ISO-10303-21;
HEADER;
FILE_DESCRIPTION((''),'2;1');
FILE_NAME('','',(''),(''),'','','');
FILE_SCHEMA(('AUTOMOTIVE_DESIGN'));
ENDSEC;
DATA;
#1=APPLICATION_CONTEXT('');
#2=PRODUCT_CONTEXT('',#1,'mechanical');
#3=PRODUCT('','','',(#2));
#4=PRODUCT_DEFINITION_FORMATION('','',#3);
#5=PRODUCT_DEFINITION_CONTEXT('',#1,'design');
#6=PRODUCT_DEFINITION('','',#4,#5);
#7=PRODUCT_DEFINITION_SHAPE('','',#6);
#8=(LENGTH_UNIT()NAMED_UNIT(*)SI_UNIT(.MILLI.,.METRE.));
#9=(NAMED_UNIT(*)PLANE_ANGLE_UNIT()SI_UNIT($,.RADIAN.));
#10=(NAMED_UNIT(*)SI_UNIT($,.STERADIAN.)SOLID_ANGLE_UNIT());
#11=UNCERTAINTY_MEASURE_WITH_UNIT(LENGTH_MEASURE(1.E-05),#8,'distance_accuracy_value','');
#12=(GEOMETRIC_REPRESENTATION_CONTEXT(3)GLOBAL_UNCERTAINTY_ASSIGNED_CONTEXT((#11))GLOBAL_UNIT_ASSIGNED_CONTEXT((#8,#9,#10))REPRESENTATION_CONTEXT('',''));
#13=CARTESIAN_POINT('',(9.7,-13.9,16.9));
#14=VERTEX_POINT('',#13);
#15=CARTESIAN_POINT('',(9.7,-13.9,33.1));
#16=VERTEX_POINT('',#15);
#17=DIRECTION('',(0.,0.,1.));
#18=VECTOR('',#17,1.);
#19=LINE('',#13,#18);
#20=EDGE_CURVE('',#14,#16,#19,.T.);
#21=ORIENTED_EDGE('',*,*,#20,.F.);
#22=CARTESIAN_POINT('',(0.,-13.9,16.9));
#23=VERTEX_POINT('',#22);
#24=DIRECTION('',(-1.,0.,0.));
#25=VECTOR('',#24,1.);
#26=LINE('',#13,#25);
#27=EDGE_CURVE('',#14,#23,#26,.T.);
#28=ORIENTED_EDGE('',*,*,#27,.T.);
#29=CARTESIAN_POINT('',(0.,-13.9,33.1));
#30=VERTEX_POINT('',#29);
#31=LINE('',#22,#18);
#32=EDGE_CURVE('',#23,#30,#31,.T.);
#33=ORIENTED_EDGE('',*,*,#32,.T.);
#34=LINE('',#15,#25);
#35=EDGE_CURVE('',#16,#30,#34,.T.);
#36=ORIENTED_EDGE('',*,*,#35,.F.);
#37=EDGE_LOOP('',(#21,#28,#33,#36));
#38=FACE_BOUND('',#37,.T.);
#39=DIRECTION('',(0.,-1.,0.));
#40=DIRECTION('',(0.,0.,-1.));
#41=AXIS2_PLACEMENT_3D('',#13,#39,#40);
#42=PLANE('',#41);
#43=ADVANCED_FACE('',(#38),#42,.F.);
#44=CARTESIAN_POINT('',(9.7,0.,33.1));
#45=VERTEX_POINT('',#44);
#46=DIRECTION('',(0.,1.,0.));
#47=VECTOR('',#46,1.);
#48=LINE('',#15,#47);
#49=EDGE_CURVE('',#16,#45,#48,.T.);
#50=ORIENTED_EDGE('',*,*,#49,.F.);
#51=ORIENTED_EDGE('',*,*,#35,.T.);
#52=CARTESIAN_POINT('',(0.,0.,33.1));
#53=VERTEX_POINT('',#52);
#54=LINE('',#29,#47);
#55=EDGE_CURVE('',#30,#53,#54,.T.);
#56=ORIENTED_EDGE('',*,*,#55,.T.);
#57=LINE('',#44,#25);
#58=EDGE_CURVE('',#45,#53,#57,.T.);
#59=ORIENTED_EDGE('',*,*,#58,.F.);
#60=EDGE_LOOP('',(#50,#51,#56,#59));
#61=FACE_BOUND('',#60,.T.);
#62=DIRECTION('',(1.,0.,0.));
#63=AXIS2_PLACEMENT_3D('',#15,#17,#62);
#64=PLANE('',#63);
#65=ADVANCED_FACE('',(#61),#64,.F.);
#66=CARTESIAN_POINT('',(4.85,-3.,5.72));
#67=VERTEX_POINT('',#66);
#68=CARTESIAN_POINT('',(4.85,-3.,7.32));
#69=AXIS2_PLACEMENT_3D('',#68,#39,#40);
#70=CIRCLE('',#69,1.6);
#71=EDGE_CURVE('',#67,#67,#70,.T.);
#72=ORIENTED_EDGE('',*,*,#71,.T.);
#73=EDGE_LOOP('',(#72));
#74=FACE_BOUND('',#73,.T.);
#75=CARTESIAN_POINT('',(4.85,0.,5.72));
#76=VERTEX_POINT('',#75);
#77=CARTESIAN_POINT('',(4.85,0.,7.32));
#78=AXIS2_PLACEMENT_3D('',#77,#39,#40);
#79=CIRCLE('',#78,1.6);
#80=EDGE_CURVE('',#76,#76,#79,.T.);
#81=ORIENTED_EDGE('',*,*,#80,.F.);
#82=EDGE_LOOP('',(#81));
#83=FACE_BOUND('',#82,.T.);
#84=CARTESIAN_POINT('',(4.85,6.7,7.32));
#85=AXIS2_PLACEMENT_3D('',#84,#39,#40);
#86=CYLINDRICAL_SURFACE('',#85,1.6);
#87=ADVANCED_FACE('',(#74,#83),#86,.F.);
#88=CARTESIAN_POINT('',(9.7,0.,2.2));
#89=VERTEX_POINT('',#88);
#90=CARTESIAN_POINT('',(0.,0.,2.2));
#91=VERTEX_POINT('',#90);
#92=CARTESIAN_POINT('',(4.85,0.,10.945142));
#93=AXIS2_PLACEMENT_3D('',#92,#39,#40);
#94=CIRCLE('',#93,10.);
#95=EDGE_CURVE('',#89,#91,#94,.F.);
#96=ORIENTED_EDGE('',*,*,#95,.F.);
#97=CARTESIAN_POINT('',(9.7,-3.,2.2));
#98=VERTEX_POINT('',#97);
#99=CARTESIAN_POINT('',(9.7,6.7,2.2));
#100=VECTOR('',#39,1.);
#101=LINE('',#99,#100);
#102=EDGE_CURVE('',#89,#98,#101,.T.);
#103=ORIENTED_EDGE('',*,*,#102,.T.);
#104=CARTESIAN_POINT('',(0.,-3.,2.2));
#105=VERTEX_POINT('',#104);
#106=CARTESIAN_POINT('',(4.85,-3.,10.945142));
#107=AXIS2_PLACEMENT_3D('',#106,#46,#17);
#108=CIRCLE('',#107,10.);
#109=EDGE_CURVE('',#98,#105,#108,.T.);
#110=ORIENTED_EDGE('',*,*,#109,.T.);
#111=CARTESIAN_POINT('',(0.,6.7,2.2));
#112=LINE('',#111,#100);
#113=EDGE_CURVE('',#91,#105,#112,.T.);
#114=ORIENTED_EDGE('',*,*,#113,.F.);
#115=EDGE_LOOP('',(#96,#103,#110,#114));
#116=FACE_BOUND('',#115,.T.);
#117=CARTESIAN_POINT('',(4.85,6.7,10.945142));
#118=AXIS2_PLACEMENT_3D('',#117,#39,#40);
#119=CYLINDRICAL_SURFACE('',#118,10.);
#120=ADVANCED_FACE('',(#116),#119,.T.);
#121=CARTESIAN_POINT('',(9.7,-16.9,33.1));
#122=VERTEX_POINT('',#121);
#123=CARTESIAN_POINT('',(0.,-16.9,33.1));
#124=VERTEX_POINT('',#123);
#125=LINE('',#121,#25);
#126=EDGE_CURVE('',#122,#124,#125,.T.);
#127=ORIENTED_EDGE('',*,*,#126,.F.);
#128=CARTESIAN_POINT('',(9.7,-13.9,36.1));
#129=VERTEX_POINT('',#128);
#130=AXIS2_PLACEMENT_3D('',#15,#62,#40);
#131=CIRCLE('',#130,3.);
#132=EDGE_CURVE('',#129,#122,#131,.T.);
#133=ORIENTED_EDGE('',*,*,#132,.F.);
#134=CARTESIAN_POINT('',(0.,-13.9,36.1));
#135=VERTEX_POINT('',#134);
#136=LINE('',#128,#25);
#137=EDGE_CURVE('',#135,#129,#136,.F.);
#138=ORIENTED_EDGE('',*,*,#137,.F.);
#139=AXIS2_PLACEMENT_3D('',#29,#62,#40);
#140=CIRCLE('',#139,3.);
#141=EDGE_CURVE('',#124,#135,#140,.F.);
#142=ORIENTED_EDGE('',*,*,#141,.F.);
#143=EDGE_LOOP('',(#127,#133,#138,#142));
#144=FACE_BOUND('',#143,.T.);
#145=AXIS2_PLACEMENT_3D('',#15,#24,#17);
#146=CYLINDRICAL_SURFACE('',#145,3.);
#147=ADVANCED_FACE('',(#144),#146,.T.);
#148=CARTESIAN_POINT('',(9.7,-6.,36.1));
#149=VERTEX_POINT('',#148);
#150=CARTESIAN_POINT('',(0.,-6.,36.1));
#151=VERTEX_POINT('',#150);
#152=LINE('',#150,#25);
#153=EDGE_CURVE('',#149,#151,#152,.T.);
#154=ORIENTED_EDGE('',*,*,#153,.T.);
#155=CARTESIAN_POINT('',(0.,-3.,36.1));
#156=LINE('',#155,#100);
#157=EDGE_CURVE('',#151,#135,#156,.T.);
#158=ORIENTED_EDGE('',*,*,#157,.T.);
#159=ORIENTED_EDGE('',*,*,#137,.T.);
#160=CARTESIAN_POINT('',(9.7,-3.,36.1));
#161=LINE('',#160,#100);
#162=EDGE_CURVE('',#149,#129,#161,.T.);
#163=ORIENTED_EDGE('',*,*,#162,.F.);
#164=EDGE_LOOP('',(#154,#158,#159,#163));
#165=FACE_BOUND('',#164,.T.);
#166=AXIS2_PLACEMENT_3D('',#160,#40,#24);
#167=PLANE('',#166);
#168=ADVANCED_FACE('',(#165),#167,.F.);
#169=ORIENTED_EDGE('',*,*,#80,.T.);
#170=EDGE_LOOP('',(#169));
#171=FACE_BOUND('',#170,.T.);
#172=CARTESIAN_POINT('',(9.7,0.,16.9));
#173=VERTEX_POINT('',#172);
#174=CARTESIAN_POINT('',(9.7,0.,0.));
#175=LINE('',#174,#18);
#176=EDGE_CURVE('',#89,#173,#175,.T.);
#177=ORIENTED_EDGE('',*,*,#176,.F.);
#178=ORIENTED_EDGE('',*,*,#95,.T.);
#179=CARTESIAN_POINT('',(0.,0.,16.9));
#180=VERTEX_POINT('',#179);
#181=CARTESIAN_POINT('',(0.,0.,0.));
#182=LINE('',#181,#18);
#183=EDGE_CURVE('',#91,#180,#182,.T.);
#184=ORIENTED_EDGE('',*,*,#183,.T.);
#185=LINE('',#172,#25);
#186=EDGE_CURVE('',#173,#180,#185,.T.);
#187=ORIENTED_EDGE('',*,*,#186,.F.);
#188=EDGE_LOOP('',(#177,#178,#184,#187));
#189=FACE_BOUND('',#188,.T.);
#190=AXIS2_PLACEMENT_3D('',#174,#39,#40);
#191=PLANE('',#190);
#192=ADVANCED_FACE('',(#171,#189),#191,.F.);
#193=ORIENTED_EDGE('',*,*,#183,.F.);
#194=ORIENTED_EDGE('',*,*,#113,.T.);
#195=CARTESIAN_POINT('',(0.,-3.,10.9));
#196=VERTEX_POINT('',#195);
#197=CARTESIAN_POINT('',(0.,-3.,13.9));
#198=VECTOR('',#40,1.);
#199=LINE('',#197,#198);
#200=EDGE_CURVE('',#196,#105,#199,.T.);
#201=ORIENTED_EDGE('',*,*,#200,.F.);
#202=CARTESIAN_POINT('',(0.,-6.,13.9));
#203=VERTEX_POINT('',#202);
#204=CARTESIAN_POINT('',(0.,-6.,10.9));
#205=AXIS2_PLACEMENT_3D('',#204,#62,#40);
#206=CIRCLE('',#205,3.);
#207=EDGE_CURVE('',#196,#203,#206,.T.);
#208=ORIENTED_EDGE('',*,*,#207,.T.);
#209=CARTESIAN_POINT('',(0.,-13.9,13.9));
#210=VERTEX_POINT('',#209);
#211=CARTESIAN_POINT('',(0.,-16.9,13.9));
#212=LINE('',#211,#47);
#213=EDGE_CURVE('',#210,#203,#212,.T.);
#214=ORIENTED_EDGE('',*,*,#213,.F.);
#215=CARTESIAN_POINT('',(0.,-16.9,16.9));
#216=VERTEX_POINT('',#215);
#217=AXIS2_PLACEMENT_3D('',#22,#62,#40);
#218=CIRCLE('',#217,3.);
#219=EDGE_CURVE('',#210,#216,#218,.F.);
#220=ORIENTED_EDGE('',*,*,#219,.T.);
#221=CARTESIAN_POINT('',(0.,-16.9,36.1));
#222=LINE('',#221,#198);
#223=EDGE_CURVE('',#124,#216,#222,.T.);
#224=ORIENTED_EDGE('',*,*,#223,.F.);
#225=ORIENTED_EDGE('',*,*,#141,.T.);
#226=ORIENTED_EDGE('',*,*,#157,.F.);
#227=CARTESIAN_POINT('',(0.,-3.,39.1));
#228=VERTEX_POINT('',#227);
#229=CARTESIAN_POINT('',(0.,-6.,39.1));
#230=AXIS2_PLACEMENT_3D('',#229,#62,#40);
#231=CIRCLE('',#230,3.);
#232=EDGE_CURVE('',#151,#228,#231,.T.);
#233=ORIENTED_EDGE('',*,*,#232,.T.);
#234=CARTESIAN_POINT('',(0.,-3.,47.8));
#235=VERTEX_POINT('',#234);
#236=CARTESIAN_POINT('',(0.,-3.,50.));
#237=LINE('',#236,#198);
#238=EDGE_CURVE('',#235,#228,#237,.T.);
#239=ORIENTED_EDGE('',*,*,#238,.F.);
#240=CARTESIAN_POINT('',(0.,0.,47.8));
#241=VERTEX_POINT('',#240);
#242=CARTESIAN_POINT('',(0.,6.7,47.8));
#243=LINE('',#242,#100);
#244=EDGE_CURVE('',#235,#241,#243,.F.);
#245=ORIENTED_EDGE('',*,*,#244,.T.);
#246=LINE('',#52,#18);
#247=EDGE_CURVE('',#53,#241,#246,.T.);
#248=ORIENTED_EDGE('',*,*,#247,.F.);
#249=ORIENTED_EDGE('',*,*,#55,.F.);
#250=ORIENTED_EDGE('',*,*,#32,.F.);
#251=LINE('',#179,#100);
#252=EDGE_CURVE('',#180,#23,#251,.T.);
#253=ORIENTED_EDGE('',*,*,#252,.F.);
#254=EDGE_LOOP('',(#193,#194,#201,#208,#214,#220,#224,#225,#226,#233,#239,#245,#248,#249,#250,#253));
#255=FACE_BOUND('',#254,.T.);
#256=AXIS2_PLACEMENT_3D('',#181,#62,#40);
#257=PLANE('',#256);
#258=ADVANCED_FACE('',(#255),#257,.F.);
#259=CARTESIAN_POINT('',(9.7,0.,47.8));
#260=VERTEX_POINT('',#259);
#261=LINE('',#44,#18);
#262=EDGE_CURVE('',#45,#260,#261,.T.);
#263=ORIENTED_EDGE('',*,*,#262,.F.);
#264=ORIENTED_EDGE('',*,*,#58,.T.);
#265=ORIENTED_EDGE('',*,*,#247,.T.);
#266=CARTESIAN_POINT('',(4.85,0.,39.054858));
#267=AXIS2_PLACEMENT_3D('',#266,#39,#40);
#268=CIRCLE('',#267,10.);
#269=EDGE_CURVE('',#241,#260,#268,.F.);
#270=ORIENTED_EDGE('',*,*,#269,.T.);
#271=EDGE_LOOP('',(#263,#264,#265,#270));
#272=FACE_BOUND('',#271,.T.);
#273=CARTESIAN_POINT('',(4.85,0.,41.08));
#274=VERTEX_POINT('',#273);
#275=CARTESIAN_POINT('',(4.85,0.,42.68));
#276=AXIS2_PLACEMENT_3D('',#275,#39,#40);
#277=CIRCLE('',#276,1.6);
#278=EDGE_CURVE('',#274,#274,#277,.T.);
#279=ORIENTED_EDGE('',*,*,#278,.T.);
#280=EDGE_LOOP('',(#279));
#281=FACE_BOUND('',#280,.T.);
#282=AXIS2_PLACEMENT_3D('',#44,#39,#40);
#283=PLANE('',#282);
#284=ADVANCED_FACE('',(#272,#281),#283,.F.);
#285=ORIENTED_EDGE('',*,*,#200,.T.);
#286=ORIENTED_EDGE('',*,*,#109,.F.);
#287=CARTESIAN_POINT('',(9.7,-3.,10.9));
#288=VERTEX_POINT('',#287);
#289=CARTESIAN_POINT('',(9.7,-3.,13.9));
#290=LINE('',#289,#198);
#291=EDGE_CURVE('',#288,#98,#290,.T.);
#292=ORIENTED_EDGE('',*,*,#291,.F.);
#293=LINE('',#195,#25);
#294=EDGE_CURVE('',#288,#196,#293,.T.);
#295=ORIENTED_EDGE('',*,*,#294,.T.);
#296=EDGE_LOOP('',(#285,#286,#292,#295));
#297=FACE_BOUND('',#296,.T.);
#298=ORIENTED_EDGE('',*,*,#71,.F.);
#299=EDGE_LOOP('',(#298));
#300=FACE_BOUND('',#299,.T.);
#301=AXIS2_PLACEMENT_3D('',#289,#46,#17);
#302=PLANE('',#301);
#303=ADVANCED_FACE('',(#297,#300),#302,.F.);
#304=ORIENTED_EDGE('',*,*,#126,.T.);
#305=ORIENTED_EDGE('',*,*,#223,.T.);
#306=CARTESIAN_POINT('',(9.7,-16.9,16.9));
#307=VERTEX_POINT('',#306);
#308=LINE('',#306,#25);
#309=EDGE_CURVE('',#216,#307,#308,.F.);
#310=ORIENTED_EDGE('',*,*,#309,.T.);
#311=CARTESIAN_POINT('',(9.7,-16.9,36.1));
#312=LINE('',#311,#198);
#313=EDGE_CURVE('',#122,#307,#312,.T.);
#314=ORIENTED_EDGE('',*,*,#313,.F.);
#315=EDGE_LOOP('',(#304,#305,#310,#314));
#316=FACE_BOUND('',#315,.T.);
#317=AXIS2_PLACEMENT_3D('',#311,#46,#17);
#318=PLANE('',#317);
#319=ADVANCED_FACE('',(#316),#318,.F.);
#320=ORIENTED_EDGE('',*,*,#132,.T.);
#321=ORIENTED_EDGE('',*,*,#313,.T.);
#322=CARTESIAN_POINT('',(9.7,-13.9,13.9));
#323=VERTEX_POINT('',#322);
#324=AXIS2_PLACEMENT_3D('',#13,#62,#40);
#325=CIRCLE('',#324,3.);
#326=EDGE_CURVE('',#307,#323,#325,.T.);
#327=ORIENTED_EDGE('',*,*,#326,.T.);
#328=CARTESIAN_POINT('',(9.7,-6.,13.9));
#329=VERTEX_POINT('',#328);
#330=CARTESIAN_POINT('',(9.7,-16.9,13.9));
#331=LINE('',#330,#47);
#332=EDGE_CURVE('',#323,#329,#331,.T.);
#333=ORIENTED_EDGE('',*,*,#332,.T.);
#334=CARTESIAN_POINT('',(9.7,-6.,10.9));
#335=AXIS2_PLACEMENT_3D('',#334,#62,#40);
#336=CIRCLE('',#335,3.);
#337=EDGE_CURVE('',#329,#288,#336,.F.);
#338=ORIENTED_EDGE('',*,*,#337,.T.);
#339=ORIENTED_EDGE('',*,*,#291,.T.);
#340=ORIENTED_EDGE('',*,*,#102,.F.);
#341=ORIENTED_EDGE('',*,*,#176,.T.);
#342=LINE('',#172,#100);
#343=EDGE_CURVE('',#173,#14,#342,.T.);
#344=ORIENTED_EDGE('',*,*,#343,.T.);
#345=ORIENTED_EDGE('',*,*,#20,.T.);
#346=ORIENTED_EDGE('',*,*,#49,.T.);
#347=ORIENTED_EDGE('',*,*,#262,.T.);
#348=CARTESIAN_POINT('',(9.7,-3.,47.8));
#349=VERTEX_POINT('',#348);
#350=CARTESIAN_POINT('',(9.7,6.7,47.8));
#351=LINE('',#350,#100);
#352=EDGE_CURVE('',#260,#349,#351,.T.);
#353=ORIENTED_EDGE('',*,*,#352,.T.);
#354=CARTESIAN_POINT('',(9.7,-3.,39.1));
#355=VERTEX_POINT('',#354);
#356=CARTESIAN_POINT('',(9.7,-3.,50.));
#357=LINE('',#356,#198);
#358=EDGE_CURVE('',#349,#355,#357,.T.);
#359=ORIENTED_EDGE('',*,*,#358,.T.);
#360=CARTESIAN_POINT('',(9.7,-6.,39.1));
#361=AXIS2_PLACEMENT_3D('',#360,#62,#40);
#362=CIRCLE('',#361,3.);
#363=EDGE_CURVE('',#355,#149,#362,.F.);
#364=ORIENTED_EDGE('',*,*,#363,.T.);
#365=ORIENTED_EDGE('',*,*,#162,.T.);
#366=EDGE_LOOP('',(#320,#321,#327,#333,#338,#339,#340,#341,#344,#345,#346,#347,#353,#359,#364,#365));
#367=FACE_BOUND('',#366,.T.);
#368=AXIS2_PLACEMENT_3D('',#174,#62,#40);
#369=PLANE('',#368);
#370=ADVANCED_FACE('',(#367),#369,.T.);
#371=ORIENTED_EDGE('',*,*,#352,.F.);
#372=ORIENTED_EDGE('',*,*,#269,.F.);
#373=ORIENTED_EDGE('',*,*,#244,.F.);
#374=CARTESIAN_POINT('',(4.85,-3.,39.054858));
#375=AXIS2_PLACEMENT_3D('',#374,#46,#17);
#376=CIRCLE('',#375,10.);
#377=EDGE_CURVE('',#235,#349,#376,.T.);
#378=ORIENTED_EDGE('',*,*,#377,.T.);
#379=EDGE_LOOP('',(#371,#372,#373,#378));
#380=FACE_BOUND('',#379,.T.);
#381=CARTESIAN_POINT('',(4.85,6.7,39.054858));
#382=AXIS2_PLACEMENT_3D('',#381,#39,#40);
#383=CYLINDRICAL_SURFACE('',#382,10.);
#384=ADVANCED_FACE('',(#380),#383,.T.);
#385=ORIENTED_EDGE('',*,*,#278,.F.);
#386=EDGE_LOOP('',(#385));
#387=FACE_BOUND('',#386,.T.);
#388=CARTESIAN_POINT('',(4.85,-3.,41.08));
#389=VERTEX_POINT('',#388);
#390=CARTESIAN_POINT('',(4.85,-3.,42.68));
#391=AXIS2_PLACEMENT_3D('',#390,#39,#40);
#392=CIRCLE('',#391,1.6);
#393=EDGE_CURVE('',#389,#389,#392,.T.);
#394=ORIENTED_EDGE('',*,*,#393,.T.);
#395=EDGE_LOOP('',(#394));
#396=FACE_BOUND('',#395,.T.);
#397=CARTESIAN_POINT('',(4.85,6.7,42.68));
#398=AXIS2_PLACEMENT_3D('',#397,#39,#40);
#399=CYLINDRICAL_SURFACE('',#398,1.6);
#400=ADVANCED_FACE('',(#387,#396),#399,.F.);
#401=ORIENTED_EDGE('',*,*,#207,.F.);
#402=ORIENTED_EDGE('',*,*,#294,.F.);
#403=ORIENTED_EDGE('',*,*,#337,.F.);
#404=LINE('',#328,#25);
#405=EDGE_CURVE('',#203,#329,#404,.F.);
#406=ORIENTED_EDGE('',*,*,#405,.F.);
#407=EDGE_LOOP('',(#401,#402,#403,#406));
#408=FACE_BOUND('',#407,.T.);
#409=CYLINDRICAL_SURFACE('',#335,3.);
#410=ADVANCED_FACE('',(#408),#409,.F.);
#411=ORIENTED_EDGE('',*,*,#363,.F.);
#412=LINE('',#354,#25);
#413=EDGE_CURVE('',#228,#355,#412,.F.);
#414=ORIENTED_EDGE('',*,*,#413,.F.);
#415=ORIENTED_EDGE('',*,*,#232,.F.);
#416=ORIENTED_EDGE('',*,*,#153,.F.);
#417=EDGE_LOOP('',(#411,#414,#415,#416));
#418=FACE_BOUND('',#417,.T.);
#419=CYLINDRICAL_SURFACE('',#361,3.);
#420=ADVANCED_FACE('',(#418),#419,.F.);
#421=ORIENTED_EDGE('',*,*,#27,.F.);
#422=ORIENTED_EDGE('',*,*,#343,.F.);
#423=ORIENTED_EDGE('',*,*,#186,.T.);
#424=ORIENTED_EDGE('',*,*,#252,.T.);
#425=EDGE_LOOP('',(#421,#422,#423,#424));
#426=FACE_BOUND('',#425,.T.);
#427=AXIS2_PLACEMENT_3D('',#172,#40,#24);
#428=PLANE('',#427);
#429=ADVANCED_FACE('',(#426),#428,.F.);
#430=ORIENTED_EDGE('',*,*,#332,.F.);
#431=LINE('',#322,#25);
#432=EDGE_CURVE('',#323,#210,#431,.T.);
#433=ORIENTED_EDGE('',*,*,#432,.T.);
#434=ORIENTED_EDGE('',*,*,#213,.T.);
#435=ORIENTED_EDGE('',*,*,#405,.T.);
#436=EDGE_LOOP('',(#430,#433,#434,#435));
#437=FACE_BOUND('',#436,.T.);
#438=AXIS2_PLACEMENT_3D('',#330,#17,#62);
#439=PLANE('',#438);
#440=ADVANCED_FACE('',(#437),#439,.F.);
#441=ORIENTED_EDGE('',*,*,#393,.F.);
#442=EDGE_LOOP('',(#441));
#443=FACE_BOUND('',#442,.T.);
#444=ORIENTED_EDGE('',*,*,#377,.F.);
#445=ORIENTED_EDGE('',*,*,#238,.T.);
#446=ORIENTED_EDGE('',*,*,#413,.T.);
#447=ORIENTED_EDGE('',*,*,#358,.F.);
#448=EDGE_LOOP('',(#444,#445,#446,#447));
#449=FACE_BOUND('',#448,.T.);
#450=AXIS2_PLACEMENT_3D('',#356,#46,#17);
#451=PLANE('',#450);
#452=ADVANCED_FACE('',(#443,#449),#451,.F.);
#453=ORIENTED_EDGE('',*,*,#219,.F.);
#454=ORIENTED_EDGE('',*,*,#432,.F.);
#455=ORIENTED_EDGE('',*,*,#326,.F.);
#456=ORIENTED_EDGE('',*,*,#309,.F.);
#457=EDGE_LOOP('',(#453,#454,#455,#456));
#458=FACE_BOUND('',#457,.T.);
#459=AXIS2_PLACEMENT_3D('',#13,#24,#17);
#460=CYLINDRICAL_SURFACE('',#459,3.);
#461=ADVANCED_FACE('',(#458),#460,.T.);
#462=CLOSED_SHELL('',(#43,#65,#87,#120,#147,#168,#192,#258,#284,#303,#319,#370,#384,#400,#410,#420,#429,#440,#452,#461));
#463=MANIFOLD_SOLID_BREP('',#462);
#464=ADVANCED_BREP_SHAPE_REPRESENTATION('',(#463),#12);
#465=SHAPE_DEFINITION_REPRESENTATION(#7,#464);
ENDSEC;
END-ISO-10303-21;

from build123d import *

# Parameters (mm, degrees)
BOSS_EXTRUDE1_DEPTH = 9.7
FILLET3_R           = 3
SKETCH2_R           = 1.6
CUT_EXTRUDE1_DEPTH  = 9.7
CUT_EXTRUDE2_DEPTH  = 9.7


with BuildPart() as part:
    # Sketch1 → Boss-Extrude1 (new body)
    with BuildSketch(Plane(origin=(0, 0, 0), x_dir=(0, 0, -1), z_dir=(1, 0, 0))):
        Polygon((0, 0), (-16.9, 0), (-16.9, -13.9), (-33.1, -13.9), (-33.1, 0), (-50, 0), (-50, -3), (-36.1, -3), (-36.1, -16.9), (-13.9, -16.9), (-13.9, -3), (0, -3), align=None)
    extrude(amount=BOSS_EXTRUDE1_DEPTH)

    # Fillet3
    fillet3_edges = [part.edges().sort_by_distance(p)[0] for p in [
        (4.85, -3, 13.9),
        (4.85, -16.9, 13.9),
        (4.85, -16.9, 36.1),
        (4.85, -3, 36.1),
    ]]
    fillet(fillet3_edges, radius=FILLET3_R)

    # Sketch2 → Cut-Extrude1 (cut)
    with BuildSketch(Plane.XZ.offset(3)):
        with Locations(Location((4.85, 42.68, 0), (0, 0, 270))):
            Circle(SKETCH2_R)
        with Locations(Location((4.85, 7.32, 0), (0, 0, 270))):
            Circle(SKETCH2_R)
    extrude(amount=-CUT_EXTRUDE1_DEPTH, mode=Mode.SUBTRACT)

    # Sketch3 → Cut-Extrude2 (cut)
    with BuildSketch(Plane.XZ.offset(3)):
        with BuildLine():
            Line((0, 0), (9.7, 0))
            Line((9.7, 0), (9.7, 2.2))
            ThreePointArc((9.7, 2.2), (4.85, 0.945141508), (0, 2.2))
            Line((0, 2.2), (0, 0))
        make_face()
        with BuildLine():
            Line((0, 47.8), (0, 50))
            Line((0, 50), (9.7, 50))
            Line((9.7, 50), (9.7, 47.8))
            ThreePointArc((9.7, 47.8), (4.85, 49.054858492), (0, 47.8))
        make_face()
    extrude(amount=-CUT_EXTRUDE2_DEPTH, mode=Mode.SUBTRACT)


solid = part.part
